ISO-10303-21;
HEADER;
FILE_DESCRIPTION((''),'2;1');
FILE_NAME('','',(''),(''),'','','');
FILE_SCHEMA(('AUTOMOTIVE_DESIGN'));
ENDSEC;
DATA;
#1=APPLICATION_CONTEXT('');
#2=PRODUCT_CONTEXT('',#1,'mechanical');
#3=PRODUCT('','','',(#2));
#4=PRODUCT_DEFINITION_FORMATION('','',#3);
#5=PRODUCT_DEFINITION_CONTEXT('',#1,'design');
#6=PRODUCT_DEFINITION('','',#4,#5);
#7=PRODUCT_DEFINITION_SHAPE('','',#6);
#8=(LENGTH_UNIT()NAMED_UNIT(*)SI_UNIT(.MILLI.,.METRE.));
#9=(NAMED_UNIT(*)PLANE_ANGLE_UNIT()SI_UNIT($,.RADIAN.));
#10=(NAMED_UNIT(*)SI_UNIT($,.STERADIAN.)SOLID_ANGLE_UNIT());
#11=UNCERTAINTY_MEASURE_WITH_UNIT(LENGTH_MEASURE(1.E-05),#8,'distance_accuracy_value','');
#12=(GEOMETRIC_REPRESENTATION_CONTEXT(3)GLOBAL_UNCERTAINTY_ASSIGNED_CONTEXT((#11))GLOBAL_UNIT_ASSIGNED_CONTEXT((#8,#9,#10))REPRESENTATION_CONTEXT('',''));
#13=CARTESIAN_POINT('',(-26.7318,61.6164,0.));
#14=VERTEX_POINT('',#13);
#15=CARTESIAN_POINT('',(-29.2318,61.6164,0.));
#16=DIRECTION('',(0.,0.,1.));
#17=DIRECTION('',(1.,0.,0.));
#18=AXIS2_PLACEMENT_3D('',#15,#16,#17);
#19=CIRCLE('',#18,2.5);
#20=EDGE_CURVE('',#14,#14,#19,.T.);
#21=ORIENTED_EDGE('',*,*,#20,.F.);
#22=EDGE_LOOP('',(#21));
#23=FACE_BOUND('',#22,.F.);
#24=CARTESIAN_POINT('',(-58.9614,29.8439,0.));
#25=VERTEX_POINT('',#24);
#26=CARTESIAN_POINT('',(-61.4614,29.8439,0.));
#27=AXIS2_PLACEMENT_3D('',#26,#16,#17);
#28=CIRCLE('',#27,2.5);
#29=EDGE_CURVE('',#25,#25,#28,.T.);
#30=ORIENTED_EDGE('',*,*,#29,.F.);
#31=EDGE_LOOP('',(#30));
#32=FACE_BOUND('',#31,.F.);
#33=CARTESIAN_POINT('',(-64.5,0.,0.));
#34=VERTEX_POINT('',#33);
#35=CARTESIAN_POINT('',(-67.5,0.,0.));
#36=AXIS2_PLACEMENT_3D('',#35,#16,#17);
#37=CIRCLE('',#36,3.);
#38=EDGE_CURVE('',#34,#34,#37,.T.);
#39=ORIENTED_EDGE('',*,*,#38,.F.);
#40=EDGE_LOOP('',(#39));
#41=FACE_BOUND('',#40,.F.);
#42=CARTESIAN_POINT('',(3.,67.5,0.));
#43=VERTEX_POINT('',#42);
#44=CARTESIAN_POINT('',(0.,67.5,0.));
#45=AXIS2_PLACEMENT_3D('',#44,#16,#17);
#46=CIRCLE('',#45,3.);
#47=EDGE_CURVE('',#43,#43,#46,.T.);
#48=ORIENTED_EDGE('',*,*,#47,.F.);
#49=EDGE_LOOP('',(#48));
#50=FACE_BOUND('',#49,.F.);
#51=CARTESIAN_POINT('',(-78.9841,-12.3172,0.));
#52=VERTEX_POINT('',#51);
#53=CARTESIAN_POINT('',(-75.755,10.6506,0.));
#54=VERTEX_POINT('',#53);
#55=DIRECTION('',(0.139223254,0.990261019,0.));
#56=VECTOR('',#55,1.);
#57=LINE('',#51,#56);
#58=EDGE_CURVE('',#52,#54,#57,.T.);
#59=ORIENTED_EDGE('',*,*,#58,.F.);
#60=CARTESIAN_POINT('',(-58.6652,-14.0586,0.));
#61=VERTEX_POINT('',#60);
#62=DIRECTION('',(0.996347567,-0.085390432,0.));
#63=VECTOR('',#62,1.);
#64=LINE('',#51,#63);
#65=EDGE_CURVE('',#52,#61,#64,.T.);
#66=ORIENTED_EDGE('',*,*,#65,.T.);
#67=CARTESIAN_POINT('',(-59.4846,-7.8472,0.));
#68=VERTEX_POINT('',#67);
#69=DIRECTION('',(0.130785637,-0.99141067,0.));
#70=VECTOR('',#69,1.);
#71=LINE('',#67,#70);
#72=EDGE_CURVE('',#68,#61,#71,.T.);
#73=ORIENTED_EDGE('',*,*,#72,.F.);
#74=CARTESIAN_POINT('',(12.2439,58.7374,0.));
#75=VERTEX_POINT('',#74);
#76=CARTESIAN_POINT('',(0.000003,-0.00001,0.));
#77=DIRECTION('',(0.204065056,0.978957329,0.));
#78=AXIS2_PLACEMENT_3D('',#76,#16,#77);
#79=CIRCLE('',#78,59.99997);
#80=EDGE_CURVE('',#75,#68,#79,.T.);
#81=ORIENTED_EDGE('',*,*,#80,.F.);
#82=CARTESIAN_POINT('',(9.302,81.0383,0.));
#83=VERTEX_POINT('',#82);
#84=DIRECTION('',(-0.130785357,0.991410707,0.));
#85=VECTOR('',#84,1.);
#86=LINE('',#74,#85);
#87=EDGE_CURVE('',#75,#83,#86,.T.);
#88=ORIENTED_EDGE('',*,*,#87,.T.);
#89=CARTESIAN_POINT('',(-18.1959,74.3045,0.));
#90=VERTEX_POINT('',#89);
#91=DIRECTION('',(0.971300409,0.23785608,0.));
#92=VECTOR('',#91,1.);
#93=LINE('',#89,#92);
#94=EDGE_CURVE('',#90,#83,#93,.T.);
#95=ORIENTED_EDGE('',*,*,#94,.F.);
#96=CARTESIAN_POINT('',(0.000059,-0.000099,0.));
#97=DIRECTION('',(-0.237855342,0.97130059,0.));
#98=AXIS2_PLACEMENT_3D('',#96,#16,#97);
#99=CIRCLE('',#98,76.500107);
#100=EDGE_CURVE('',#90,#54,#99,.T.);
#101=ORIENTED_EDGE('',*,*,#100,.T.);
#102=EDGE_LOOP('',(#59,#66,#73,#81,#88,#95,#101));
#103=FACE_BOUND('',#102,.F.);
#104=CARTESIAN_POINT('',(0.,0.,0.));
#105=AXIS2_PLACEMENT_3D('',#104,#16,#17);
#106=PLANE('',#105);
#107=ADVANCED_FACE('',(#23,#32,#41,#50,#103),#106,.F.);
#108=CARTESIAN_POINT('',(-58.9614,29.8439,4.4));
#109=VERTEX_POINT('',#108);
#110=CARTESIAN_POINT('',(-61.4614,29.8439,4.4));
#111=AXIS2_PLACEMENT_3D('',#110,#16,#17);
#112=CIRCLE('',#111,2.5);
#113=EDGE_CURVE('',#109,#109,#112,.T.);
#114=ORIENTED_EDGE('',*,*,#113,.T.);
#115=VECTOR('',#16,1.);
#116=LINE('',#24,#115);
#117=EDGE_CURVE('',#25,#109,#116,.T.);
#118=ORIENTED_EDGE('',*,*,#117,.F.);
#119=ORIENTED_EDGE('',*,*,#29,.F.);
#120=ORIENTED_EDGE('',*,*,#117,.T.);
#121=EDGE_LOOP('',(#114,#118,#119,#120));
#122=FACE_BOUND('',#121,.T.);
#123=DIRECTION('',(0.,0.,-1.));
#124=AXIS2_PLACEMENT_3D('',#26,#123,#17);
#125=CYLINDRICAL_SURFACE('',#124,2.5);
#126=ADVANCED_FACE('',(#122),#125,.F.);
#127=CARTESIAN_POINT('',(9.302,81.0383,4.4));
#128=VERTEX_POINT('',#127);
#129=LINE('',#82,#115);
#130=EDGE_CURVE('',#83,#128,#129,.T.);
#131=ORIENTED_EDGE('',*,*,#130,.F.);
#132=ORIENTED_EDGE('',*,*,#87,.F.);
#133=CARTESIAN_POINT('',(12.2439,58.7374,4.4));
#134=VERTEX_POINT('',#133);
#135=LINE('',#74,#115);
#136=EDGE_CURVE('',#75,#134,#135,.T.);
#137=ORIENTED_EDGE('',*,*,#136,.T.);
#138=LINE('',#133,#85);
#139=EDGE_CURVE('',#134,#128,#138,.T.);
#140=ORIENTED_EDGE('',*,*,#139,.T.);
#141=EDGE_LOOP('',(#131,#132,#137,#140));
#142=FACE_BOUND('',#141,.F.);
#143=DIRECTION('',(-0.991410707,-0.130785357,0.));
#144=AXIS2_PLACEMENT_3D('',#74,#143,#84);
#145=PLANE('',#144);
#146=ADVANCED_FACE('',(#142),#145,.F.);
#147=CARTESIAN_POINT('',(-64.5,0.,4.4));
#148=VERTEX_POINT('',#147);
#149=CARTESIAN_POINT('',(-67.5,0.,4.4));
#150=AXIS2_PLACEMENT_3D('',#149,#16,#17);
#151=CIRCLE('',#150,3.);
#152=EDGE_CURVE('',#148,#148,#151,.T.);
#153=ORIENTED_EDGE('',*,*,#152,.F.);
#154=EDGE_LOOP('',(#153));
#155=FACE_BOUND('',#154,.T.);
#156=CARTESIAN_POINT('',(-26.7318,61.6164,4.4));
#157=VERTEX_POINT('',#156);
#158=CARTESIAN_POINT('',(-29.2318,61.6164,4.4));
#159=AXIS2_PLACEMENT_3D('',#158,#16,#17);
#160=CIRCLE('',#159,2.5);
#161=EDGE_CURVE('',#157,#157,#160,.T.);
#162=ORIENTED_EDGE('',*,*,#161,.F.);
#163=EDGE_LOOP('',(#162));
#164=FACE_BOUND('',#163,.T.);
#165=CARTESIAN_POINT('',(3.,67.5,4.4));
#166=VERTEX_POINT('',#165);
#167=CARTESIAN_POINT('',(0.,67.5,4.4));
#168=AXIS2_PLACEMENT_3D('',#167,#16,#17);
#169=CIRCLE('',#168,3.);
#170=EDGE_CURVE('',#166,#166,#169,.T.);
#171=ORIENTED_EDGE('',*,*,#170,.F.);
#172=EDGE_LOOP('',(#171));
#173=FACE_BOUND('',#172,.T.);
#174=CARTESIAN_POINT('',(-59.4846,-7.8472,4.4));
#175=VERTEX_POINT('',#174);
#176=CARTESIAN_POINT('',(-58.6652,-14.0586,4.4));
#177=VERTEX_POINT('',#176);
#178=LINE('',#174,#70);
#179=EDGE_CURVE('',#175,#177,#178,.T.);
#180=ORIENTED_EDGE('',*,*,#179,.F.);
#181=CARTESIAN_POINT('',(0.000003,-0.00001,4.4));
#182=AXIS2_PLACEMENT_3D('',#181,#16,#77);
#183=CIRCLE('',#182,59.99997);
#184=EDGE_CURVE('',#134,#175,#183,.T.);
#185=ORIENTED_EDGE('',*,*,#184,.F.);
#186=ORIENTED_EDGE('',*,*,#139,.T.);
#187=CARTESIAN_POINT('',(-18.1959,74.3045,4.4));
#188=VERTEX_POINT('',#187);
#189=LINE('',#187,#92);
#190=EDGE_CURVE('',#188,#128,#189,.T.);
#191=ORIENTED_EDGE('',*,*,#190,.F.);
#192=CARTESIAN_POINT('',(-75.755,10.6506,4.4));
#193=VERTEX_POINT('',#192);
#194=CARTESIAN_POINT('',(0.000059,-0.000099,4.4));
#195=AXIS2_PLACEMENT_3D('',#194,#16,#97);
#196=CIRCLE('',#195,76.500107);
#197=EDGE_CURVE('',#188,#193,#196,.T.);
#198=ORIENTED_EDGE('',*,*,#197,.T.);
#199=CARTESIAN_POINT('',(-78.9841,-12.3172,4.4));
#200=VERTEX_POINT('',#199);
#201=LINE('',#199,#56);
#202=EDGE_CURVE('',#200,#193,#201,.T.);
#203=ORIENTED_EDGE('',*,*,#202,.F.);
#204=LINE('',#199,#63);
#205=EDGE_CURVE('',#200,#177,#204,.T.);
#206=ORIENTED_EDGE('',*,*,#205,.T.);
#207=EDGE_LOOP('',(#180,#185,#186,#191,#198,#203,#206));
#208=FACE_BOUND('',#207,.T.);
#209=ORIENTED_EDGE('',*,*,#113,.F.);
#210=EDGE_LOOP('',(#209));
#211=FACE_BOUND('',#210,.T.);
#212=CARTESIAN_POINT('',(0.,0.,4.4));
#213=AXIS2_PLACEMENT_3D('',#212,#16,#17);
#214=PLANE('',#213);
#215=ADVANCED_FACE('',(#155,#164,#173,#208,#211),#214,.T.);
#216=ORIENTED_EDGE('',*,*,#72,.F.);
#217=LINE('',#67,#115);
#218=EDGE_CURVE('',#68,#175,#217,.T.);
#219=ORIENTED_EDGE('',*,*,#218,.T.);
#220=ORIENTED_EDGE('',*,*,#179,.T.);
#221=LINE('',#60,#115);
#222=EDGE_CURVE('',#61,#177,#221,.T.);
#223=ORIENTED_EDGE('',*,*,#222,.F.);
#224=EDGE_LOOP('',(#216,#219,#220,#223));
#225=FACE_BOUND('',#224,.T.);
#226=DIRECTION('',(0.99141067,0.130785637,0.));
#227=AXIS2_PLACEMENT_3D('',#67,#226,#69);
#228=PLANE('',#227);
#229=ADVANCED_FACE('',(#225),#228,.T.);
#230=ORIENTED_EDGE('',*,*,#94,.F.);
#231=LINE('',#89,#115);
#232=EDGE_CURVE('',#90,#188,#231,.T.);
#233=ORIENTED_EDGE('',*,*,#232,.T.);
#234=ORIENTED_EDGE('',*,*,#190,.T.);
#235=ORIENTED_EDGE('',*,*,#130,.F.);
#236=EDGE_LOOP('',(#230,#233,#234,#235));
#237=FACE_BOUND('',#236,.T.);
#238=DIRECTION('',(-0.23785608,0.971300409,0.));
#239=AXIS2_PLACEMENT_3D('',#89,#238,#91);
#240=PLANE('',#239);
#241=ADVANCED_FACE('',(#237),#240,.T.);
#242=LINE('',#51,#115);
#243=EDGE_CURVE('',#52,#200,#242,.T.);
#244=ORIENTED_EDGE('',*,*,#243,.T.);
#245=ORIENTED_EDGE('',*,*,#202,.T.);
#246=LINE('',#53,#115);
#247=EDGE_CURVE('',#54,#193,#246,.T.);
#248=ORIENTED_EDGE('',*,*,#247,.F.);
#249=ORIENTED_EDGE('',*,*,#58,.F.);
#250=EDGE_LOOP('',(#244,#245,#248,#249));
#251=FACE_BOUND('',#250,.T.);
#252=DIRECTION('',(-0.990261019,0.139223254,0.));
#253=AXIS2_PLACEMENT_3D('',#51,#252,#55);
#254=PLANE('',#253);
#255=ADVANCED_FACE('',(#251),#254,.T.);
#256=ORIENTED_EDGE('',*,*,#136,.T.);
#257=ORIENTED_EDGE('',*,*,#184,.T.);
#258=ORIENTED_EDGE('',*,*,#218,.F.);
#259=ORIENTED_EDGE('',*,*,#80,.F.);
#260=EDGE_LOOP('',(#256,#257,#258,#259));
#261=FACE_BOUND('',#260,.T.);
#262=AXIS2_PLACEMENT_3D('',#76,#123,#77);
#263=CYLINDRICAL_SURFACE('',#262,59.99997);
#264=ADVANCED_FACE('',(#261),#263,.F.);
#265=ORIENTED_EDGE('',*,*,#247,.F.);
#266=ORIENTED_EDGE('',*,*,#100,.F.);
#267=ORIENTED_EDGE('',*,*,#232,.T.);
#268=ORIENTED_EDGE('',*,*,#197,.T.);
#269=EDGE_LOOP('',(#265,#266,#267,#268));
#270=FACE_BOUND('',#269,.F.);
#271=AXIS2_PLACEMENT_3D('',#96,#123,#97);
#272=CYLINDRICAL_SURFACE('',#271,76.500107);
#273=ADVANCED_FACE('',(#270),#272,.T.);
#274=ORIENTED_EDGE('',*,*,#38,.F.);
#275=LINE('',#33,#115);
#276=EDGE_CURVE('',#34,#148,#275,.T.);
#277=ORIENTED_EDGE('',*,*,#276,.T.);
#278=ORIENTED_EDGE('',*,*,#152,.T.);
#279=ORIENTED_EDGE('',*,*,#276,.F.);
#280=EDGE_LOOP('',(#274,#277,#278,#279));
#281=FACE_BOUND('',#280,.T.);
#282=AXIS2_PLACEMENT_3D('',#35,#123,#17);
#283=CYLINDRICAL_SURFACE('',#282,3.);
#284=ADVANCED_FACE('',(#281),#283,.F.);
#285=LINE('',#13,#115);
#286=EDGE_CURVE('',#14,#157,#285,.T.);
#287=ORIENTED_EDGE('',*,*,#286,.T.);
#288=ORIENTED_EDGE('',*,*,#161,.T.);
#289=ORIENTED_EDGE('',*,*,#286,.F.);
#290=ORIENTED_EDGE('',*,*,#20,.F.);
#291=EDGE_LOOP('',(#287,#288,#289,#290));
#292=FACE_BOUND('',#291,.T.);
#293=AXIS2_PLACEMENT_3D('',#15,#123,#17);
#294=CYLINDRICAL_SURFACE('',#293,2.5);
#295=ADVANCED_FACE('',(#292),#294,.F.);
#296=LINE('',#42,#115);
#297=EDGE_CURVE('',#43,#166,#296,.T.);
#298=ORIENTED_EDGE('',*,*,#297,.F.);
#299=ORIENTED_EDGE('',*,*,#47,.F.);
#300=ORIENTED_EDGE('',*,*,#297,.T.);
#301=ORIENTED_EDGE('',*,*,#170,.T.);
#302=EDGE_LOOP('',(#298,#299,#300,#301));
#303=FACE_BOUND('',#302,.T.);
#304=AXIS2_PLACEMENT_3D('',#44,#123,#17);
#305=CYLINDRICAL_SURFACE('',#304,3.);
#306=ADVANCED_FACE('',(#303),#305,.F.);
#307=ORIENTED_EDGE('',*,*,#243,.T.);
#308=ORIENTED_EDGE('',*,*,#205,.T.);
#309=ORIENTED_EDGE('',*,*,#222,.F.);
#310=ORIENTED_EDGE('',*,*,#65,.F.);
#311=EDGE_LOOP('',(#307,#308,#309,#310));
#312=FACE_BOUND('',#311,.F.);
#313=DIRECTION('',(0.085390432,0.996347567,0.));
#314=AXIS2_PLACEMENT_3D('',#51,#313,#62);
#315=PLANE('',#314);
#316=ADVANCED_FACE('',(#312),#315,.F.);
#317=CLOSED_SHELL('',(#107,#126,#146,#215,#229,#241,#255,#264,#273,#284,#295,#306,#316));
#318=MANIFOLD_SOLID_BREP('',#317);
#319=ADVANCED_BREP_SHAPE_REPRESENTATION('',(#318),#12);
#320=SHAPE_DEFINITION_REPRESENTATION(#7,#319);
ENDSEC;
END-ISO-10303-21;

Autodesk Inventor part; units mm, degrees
ref_plane "YZ Plane" through (0, 0, 0) normal (1, 0, 0) x (0, 1, 0)
ref_plane "XZ Plane" through (0, 0, 0) normal (0, 1, 0) x (-1, 0, 0)
ref_plane "XY Plane" through (0, 0, 0) normal (0, 0, 1) x (1, 0, 0)
sketch "Sketch1" plane through (0, 0, 0) normal (0, 0, 1) x (1, 0, 0)
  arc A0 (-18.1959, 74.3045) -> (-75.755, 10.6506) centre (0, 0) ccw
  line L0 (-78.9841, -12.3172) -> (-75.755, 10.6506)
  arc A1 (12.2439, 58.7374) -> (-59.4846, -7.8472) centre (0, 0) ccw
  line L1 (-18.1959, 74.3045) -> (9.302, 81.0383)
  line L2 (-59.4846, -7.8472) -> (-58.6652, -14.0586)
  line L3 (-78.9841, -12.3172) -> (-58.6652, -14.0586)
  line L4 (12.2439, 58.7374) -> (9.302, 81.0383)
  circle A2 centre (-67.5, 0) radius 3 projected
  circle A3 centre (0, 67.5) radius 3 projected
  circle A4 centre (52.0914, 68.8152) radius 17.05 construction
  line L5 (-32.9083, 50.1702) -> (-43.208, 63.1294) construction
  line L6 (-50.5977, 32.2471) -> (-61.3205, 45.7388) construction
  circle A5 centre (-61.4614, 29.8439) radius 2.5
  circle A6 centre (-29.2318, 61.6164) radius 2.5
  point P0 (0, 0)
  dimension "d2" = 25
  dimension "d3" = 5
  dimension "d4" = 5
  dimension "d6" = 10
extrude "Extrusion1" add sketch "Sketch1" along normal blind 4.4
properties part number "FrontMotorPlateBridge"
